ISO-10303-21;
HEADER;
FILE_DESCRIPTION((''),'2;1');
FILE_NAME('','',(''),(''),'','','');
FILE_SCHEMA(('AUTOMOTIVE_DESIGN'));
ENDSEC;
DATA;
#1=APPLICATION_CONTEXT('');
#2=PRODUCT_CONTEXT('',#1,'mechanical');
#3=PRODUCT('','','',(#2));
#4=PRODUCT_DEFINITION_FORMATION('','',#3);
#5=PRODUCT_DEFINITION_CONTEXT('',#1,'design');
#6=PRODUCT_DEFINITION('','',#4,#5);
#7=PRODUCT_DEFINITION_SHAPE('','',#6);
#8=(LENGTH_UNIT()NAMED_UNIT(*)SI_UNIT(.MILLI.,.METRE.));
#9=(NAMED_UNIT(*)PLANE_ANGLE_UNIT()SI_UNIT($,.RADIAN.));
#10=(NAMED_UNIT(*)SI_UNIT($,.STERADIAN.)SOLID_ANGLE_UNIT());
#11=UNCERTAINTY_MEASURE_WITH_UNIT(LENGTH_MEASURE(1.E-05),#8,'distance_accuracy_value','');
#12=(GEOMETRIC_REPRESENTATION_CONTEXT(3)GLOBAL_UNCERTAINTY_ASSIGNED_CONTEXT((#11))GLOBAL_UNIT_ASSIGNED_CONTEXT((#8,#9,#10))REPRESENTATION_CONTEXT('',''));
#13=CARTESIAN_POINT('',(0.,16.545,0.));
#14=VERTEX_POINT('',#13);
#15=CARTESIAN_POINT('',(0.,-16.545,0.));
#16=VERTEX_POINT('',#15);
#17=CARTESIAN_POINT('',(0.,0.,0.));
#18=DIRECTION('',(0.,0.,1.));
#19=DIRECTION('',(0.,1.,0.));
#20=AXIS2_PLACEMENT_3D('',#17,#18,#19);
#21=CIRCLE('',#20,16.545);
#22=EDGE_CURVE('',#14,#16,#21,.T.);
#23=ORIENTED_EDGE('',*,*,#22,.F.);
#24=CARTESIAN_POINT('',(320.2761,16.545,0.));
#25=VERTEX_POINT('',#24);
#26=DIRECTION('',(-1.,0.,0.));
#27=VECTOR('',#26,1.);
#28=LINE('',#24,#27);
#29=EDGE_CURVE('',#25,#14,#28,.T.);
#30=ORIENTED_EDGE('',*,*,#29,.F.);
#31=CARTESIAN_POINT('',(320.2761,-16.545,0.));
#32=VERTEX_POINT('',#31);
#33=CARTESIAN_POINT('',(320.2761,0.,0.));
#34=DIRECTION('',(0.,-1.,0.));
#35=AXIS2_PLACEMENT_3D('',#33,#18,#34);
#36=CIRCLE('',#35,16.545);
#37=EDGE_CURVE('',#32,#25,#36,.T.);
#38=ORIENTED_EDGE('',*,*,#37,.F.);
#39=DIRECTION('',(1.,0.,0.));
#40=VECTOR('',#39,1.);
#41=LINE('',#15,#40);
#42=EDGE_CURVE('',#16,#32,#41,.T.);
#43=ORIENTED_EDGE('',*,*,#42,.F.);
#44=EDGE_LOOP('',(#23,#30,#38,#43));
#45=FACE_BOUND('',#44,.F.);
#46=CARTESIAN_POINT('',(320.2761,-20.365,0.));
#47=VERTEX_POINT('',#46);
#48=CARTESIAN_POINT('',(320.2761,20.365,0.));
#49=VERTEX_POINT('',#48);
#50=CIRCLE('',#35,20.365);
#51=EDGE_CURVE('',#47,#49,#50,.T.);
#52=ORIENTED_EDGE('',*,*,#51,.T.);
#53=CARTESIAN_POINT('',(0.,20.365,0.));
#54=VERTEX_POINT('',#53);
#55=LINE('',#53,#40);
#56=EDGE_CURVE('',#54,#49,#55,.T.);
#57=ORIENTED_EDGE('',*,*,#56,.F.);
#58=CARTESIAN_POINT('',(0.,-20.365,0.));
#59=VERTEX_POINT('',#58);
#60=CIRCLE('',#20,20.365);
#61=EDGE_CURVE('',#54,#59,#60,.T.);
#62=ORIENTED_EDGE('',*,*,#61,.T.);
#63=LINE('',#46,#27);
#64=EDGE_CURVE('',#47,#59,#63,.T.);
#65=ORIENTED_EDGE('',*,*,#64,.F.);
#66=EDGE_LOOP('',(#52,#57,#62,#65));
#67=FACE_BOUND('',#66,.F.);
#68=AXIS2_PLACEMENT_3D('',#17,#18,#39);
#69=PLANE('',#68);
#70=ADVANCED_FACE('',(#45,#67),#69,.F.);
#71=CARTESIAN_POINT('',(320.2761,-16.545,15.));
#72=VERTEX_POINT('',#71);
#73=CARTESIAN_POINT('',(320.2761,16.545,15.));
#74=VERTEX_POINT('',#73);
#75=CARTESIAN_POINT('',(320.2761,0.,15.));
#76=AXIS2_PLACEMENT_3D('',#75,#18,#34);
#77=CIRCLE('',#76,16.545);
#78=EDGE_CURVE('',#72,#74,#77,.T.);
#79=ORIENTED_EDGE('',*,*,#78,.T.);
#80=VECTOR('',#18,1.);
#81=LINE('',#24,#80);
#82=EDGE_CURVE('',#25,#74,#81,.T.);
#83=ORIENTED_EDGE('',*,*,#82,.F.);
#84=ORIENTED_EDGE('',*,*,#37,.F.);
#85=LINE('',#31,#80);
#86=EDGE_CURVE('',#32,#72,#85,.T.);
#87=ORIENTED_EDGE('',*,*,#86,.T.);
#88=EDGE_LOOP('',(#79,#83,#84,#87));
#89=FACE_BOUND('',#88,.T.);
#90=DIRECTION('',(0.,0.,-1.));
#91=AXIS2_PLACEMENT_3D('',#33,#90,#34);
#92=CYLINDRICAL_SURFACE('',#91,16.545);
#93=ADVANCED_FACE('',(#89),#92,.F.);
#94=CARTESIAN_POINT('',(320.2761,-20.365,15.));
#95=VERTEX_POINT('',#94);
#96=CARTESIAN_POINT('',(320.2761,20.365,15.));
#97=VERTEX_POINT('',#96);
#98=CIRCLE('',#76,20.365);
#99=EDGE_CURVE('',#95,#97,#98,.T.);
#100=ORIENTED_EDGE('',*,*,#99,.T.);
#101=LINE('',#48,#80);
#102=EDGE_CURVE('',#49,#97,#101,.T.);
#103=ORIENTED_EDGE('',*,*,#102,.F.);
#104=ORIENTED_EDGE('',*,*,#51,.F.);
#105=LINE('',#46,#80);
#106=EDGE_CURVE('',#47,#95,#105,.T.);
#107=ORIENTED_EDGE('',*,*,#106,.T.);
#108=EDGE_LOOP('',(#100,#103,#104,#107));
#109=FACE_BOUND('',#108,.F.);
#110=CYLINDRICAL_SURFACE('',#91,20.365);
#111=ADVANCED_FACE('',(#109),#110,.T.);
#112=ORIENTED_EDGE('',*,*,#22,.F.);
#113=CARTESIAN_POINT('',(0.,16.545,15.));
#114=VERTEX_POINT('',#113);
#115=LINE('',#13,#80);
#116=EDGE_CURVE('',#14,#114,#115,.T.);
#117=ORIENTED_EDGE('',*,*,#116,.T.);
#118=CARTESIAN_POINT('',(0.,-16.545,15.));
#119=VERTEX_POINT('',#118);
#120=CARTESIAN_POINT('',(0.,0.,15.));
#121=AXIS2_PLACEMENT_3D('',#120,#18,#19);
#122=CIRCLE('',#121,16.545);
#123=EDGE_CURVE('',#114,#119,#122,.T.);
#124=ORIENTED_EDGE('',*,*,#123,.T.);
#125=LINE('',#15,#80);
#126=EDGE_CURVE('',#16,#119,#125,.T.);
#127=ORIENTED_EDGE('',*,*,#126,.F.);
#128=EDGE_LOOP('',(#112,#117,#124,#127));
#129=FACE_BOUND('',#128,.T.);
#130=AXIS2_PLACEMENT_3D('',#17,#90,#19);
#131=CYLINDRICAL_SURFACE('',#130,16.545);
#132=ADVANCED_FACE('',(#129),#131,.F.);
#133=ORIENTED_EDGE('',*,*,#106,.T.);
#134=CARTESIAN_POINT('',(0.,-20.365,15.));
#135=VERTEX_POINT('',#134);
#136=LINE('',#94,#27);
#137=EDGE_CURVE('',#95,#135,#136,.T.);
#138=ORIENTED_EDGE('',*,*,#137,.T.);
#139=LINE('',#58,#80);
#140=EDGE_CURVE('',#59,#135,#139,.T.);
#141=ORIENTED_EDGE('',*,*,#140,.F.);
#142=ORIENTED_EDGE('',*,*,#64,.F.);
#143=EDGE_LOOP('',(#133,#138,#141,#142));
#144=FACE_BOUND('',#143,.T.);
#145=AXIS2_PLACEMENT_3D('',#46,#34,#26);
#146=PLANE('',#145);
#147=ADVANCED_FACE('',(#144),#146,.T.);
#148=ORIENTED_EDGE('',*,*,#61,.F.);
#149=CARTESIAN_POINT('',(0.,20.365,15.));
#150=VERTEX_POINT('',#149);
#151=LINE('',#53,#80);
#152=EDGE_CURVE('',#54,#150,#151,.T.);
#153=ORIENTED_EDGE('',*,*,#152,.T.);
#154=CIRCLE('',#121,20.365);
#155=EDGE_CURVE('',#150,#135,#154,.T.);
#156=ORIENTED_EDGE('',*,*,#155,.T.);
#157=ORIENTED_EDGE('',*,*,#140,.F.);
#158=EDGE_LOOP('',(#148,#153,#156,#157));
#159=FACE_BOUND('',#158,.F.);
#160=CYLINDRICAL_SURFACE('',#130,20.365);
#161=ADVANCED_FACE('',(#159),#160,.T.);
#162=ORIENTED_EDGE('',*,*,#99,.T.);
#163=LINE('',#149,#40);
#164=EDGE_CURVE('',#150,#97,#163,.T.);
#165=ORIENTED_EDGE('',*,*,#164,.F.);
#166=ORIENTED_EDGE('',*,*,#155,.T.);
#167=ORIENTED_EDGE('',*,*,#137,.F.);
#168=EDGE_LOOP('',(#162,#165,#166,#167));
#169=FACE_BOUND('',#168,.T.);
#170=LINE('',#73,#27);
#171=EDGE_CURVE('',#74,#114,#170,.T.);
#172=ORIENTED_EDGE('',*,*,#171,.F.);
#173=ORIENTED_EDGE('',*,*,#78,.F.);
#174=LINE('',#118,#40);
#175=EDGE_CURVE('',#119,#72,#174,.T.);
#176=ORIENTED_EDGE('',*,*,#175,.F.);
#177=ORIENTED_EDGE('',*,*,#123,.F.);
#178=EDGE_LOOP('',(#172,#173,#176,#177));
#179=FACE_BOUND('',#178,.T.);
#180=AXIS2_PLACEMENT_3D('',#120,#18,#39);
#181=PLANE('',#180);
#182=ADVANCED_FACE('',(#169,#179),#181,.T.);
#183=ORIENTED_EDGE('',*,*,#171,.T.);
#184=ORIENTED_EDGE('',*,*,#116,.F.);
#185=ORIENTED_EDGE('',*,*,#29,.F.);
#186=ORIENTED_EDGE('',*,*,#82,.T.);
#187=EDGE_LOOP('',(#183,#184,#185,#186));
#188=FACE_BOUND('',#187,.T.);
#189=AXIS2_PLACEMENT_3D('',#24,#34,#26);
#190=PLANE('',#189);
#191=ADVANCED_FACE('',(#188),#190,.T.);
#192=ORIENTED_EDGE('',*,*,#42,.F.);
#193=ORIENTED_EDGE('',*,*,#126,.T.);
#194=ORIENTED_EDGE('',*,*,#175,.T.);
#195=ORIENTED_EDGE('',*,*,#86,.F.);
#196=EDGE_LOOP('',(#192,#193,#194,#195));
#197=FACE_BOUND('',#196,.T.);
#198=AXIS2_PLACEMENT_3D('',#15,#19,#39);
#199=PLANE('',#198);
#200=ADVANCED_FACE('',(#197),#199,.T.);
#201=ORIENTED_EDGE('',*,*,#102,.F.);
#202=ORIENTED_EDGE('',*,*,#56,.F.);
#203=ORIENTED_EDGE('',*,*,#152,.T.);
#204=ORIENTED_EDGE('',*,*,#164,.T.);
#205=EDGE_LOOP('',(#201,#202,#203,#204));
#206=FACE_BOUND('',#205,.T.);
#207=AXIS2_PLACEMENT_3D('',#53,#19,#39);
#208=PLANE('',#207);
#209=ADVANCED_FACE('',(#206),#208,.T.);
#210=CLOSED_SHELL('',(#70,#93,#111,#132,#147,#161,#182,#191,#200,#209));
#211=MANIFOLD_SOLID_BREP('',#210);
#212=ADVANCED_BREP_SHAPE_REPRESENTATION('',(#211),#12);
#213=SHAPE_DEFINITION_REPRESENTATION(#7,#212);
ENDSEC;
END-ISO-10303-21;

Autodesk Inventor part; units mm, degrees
ref_plane "YZ Plane" through (0, 0, 0) normal (1, 0, 0) x (0, 1, 0)
ref_plane "XZ Plane" through (0, 0, 0) normal (0, 1, 0) x (-1, 0, 0)
ref_plane "XY Plane" through (0, 0, 0) normal (0, 0, 1) x (1, 0, 0)
sketch "Sketch1" plane through (0, 0, 0) normal (0, 0, 1) x (1, 0, 0)
  arc A0 (0, -16.545) -> (0, 16.545) centre (0, 0) ccw construction
  arc A1 (0, -20.365) -> (0, 20.365) centre (0, 0) ccw construction
  line L0 (0, 0) -> (320.2761, 0) construction
  arc A2 (320.2761, 20.365) -> (320.2761, -20.365) centre (320.2761, 0) ccw construction
  arc A3 (320.2761, 16.545) -> (320.2761, -16.545) centre (320.2761, 0) ccw construction
  line L1 (0, -16.545) -> (320.2761, -16.545)
  line L2 (320.2761, -20.365) -> (0, -20.365)
  line L3 (0, 20.365) -> (320.2761, 20.365)
  line L4 (320.2761, 16.545) -> (0, 16.545)
  arc A4 (320.2761, -16.545) -> (320.2761, 16.545) centre (320.2761, 0) ccw
  arc A5 (320.2761, -20.365) -> (320.2761, 20.365) centre (320.2761, 0) ccw
  arc A6 (0, 16.545) -> (0, -16.545) centre (0, 0) ccw
  arc A7 (0, 20.365) -> (0, -20.365) centre (0, 0) ccw
  dimension "d0" = 33.09
  dimension "d1" = 3.82
  dimension "d2" = 320.2761
extrude "Extrusion1" add sketch "Sketch1" along normal blind 15
properties part number "150T 5mm GT2 Belt" material "Rubber, Black"
